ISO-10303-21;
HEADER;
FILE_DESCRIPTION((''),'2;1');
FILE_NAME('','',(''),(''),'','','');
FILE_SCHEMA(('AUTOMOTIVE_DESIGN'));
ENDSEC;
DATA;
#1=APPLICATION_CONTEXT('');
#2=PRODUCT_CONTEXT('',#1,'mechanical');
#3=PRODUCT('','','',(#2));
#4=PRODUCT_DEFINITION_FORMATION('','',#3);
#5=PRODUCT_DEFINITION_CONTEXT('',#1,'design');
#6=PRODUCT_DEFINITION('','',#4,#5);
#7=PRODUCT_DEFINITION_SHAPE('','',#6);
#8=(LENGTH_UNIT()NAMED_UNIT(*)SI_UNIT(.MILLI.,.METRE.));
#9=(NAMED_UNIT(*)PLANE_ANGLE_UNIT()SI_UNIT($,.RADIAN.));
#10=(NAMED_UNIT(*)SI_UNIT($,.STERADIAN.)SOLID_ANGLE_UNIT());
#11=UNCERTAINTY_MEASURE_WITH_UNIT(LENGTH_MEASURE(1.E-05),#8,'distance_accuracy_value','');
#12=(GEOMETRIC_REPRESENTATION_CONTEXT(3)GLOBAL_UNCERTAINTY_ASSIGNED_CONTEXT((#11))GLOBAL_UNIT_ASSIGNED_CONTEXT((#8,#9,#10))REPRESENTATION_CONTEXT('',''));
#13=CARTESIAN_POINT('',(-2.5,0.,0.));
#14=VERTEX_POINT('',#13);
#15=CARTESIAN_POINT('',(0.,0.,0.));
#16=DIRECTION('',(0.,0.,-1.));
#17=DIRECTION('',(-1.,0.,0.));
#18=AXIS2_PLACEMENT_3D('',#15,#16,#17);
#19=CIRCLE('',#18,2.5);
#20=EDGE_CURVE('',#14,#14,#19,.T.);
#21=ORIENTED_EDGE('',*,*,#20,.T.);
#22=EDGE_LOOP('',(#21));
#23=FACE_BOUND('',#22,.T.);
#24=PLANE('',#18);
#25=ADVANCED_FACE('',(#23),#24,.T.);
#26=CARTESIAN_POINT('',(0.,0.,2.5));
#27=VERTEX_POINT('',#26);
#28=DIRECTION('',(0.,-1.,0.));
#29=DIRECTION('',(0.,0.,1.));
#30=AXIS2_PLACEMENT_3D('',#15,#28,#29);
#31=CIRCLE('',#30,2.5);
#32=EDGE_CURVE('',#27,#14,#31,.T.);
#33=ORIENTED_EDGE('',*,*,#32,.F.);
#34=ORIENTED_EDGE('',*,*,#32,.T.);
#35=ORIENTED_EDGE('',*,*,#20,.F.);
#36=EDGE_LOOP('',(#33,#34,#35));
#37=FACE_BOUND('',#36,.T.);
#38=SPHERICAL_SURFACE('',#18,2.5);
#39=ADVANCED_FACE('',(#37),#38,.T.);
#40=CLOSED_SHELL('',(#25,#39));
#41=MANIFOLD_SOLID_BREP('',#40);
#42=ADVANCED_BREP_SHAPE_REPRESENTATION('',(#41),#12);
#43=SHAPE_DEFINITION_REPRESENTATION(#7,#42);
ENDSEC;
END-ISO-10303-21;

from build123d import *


with BuildPart() as part:
    # Sketch1 → Revolve1 (revolve)
    with BuildSketch(Plane(origin=(0, 0, 0), x_dir=(1, 0, 0), z_dir=(0, 1, 0))):
        with BuildLine():
            Line((-2.5, 0), (0, 0))
            Line((0, 0), (0, -2.5))
            ThreePointArc((0, -2.5), (-1.767766953, -1.767766953), (-2.5, 0))
        make_face()
    revolve(axis=Axis((0, 0, 2.5), (0, 0, -1)))


solid = part.part
